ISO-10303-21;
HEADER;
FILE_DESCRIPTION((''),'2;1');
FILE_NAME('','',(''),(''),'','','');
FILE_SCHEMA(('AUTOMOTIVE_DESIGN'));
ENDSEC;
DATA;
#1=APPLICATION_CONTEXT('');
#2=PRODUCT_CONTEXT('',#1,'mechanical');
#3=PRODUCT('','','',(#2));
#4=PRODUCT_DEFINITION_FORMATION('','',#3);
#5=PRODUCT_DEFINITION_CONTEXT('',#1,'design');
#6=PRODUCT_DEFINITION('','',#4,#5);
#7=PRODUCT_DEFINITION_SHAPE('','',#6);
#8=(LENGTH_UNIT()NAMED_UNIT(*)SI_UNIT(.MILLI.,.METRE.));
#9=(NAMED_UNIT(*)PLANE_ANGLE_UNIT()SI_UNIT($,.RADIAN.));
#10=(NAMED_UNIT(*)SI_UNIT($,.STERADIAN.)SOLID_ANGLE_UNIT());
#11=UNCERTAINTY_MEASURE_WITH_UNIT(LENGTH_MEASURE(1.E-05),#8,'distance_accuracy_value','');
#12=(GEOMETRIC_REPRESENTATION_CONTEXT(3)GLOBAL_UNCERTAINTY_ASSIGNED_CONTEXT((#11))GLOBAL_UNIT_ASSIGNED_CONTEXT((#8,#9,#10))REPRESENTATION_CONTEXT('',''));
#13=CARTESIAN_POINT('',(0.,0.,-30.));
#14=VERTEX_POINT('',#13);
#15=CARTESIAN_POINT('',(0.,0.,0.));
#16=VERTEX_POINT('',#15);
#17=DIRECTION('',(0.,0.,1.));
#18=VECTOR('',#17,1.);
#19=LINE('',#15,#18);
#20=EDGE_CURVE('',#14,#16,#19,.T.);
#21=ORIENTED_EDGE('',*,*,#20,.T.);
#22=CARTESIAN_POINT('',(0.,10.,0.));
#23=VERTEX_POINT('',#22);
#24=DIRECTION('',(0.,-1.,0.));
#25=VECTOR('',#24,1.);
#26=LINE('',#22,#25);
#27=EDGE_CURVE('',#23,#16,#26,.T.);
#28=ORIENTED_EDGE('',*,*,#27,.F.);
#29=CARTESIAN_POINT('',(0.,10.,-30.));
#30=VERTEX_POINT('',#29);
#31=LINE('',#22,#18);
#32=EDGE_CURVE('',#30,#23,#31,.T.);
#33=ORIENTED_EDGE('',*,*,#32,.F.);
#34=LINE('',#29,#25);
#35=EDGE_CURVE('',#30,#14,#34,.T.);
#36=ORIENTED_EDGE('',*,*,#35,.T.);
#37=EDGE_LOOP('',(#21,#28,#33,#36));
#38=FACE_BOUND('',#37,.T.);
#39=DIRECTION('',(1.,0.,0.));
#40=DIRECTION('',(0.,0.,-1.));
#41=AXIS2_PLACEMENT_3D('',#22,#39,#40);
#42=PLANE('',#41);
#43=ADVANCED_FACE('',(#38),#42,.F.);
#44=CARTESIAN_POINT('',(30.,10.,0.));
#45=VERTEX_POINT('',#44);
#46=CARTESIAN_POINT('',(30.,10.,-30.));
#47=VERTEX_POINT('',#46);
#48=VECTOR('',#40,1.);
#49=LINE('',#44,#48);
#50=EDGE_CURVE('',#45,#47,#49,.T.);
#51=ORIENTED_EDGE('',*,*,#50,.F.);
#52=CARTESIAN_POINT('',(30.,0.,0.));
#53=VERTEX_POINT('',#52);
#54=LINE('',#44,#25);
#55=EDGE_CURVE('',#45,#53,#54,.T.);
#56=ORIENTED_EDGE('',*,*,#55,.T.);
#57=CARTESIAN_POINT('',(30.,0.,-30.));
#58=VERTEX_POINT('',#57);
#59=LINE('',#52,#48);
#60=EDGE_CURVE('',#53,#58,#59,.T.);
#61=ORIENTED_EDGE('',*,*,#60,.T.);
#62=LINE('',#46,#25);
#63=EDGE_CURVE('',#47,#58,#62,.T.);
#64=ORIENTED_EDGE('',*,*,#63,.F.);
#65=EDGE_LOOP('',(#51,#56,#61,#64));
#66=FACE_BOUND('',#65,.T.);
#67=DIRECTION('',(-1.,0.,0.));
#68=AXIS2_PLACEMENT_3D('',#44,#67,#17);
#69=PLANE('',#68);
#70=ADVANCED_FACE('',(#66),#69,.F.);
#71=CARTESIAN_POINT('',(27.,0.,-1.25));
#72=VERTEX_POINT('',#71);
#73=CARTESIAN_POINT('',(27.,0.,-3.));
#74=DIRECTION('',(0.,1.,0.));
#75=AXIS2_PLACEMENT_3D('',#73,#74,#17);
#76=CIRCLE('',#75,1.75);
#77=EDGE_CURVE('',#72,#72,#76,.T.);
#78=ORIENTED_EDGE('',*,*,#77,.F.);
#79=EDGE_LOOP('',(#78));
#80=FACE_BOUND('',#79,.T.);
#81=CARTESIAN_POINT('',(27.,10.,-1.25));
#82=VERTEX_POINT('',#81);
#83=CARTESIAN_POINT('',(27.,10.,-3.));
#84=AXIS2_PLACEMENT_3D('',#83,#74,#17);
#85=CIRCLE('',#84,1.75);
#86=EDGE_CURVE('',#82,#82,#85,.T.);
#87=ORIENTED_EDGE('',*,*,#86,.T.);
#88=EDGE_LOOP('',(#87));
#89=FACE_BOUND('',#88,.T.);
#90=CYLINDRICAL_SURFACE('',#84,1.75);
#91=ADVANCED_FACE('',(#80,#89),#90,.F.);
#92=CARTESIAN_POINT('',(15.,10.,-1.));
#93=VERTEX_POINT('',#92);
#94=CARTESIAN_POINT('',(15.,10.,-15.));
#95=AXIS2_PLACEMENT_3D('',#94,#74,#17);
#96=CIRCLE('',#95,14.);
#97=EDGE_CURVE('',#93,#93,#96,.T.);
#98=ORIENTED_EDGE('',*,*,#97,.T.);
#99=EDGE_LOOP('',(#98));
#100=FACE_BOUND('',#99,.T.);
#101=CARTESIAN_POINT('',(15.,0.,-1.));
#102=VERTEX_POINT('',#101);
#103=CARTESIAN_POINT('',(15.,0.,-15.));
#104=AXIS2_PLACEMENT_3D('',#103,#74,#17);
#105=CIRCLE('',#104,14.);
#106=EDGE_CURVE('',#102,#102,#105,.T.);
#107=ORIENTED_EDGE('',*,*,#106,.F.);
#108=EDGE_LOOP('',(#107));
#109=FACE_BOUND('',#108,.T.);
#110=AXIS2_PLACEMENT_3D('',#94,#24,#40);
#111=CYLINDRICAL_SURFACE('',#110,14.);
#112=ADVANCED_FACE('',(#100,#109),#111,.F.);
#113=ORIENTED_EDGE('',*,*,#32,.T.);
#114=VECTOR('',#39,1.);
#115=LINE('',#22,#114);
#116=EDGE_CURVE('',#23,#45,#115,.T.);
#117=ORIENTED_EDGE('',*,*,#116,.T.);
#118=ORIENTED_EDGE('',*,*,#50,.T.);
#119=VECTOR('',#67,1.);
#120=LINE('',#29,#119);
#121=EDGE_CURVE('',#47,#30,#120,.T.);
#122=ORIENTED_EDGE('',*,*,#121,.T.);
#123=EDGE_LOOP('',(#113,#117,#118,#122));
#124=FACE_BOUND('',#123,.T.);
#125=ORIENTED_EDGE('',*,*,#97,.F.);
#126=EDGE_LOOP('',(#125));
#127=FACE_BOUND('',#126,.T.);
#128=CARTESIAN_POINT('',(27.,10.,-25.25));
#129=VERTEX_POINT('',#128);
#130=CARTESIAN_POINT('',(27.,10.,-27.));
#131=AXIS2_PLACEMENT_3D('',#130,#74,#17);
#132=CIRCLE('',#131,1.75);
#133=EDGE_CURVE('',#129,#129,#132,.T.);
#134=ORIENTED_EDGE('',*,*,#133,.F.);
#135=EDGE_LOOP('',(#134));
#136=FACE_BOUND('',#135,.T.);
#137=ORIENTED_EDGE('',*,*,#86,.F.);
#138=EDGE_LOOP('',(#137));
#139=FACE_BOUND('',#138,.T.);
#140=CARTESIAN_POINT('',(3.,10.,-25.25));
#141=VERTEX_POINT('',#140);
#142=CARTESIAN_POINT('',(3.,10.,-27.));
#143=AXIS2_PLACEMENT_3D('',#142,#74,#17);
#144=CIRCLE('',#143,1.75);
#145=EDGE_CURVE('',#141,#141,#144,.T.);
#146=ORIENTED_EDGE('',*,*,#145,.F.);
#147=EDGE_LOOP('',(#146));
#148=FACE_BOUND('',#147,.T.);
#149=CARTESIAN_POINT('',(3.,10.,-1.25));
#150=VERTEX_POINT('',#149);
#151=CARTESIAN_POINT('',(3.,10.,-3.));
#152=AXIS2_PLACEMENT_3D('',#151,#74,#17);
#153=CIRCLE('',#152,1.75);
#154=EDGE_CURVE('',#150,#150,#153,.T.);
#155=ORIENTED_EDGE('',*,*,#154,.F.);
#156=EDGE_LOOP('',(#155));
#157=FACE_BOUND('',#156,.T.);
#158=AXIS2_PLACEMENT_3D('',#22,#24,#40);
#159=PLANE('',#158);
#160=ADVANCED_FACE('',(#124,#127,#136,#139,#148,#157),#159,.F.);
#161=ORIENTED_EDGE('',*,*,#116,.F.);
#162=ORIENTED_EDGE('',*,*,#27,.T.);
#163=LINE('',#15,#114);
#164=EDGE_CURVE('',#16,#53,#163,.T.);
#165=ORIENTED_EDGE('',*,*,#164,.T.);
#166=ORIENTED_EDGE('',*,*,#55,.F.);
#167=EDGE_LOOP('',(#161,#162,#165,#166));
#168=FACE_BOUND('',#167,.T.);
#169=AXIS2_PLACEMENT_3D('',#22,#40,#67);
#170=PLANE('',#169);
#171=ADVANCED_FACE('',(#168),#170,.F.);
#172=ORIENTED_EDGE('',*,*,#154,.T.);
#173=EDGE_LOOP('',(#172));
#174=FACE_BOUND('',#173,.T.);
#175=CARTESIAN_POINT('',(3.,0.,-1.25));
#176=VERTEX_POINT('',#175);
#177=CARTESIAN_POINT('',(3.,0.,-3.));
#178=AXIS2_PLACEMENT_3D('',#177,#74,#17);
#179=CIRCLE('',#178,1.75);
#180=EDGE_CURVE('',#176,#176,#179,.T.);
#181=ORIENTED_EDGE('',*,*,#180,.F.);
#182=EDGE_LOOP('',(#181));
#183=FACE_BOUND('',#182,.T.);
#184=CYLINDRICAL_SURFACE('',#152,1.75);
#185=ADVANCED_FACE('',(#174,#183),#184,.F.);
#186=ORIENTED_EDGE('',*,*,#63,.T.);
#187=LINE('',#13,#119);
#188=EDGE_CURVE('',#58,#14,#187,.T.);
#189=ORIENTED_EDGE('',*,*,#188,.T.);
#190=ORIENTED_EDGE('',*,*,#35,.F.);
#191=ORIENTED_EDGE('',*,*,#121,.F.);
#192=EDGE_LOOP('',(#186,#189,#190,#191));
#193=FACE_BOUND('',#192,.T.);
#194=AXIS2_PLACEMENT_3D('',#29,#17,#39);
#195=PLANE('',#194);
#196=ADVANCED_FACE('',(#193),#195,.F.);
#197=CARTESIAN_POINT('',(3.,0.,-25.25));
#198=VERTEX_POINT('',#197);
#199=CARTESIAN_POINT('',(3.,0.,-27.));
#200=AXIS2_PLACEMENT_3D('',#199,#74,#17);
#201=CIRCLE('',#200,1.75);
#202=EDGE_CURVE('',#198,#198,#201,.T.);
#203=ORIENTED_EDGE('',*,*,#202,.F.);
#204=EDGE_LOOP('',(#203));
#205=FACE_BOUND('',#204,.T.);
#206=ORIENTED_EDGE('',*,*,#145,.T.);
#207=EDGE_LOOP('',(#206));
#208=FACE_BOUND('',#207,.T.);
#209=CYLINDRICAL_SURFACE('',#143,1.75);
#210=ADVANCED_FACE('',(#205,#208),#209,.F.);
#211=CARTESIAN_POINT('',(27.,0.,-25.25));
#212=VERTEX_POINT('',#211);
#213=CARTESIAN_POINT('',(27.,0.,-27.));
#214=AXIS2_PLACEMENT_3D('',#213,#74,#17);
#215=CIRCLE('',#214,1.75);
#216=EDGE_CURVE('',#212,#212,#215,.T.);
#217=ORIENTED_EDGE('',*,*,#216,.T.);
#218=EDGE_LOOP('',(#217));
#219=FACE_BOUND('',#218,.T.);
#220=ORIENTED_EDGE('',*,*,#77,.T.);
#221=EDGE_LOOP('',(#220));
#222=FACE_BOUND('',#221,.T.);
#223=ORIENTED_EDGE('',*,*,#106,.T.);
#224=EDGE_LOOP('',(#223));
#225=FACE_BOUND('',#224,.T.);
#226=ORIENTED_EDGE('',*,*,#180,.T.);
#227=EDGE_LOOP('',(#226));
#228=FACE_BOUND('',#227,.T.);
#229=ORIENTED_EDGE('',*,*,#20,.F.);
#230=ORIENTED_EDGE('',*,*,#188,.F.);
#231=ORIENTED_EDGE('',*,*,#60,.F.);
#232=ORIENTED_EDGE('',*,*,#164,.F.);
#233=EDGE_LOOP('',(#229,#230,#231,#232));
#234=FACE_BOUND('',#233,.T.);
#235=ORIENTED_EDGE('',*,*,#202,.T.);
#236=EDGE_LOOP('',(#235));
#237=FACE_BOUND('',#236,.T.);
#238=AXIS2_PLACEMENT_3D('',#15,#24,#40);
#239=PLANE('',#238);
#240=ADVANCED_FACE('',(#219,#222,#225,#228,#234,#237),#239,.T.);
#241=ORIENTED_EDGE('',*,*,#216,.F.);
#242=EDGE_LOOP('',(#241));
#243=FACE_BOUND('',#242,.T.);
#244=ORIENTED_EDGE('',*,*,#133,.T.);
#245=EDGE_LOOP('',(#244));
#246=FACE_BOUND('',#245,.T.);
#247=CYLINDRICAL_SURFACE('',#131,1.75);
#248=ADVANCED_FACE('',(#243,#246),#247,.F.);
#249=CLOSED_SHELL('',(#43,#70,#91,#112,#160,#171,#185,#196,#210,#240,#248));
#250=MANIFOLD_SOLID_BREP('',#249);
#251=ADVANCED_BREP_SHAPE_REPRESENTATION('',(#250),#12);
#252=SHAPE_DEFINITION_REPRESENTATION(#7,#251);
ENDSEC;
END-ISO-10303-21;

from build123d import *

# Parameters (mm, degrees)
SKETCH_1_W              = 30
SKETCH_1_H              = 30
SKETCH_1_R              = 14
EXTRUDE_1_DEPTH         = 10
HOLE_WIZARD_3_5_3_5_1_D = 3.5


with BuildPart() as part:
    # Эскиз1 → Бобышка-Вытянуть1 (new body)
    with BuildSketch(Plane(origin=(0, 0, 0), x_dir=(1, 0, 0), z_dir=(0, 1, 0))):
        with Locations((15, 15)):
            Rectangle(SKETCH_1_W, SKETCH_1_H)
        with Locations(Location((15, 15, 0), (0, 0, 270))):
            Circle(SKETCH_1_R, mode=Mode.SUBTRACT)
    extrude(amount=EXTRUDE_1_DEPTH)

    # Диаметр отверстия Ø3.5 (3.5)1 (through all)
    with Locations(Plane(origin=(0, 10, 0), x_dir=(1, 0, 0), z_dir=(0, 1, 0))):
        with Locations((3, 27), (27, 27), (27, 3), (3, 3)):
            Hole(HOLE_WIZARD_3_5_3_5_1_D / 2)


solid = part.part
